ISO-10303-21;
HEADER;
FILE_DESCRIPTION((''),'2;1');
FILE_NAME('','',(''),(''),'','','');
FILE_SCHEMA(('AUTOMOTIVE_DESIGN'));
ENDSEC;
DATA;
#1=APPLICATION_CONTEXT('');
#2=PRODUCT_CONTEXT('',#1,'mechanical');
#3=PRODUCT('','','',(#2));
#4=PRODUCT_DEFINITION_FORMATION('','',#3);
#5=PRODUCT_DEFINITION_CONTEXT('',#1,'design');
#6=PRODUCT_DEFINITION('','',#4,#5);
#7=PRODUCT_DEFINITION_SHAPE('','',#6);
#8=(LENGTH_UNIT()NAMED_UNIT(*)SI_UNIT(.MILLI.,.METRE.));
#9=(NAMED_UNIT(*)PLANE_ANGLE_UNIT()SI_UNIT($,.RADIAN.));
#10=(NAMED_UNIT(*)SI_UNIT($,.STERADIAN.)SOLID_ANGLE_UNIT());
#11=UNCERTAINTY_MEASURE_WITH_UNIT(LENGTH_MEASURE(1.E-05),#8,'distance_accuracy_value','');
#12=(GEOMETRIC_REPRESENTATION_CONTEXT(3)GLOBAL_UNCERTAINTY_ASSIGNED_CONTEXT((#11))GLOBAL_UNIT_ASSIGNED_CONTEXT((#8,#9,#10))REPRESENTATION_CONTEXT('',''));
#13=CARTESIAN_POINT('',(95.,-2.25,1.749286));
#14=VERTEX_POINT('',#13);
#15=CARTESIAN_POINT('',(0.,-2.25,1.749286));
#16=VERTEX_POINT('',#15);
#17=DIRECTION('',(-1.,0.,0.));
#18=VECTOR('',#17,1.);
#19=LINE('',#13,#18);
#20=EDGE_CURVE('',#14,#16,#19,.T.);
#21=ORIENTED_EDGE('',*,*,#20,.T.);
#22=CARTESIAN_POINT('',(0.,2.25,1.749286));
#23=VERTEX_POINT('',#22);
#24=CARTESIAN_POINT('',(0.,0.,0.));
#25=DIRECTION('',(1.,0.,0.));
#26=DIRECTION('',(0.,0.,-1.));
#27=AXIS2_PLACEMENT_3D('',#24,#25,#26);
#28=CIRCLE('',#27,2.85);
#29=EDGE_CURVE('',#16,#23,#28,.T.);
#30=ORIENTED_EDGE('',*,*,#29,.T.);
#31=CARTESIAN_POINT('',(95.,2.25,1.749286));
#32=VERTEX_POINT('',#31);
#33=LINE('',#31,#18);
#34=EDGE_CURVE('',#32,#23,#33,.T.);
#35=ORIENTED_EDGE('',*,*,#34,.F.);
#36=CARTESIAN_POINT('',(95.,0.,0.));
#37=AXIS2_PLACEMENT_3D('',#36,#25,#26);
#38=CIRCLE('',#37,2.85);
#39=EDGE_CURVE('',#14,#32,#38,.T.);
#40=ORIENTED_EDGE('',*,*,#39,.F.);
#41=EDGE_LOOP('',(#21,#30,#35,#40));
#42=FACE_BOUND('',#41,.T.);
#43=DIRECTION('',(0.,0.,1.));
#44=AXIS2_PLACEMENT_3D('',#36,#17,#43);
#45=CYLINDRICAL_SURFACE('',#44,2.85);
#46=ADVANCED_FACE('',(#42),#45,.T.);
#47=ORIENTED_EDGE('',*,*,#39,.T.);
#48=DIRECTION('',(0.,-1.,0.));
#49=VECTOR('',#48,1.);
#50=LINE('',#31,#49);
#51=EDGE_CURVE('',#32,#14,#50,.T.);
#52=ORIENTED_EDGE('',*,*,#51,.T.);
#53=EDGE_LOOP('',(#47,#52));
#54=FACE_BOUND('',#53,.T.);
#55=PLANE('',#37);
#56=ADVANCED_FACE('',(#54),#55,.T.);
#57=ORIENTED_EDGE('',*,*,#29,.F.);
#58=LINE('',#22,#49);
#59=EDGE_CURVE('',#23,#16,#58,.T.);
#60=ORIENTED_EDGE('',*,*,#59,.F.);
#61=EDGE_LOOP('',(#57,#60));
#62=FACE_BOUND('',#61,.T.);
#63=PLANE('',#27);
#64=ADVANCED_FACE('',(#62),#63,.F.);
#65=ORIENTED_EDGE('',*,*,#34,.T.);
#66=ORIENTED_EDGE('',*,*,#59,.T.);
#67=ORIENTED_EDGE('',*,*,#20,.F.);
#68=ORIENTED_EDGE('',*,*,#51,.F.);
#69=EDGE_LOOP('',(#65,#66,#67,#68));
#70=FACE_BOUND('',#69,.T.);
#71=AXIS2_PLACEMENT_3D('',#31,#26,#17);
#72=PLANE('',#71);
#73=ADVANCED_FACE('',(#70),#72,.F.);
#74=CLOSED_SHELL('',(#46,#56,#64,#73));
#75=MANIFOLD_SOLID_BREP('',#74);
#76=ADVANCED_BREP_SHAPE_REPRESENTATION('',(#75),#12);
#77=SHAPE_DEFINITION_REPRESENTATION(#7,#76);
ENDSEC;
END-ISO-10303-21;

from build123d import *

# Parameters (mm, degrees)
BOSS_EXTRUDE1_DEPTH = 95


with BuildPart() as part:
    # Sketch1 → Boss-Extrude1 (new body)
    with BuildSketch(Plane(origin=(0, 0, 0), x_dir=(0, 0, -1), z_dir=(1, 0, 0))):
        with BuildLine():
            Line((-1.749285568, 2.25), (-1.749285568, -2.25))
            ThreePointArc((-1.749285568, -2.25), (2.85, 0), (-1.749285568, 2.25))
        make_face()
    extrude(amount=BOSS_EXTRUDE1_DEPTH)


solid = part.part
